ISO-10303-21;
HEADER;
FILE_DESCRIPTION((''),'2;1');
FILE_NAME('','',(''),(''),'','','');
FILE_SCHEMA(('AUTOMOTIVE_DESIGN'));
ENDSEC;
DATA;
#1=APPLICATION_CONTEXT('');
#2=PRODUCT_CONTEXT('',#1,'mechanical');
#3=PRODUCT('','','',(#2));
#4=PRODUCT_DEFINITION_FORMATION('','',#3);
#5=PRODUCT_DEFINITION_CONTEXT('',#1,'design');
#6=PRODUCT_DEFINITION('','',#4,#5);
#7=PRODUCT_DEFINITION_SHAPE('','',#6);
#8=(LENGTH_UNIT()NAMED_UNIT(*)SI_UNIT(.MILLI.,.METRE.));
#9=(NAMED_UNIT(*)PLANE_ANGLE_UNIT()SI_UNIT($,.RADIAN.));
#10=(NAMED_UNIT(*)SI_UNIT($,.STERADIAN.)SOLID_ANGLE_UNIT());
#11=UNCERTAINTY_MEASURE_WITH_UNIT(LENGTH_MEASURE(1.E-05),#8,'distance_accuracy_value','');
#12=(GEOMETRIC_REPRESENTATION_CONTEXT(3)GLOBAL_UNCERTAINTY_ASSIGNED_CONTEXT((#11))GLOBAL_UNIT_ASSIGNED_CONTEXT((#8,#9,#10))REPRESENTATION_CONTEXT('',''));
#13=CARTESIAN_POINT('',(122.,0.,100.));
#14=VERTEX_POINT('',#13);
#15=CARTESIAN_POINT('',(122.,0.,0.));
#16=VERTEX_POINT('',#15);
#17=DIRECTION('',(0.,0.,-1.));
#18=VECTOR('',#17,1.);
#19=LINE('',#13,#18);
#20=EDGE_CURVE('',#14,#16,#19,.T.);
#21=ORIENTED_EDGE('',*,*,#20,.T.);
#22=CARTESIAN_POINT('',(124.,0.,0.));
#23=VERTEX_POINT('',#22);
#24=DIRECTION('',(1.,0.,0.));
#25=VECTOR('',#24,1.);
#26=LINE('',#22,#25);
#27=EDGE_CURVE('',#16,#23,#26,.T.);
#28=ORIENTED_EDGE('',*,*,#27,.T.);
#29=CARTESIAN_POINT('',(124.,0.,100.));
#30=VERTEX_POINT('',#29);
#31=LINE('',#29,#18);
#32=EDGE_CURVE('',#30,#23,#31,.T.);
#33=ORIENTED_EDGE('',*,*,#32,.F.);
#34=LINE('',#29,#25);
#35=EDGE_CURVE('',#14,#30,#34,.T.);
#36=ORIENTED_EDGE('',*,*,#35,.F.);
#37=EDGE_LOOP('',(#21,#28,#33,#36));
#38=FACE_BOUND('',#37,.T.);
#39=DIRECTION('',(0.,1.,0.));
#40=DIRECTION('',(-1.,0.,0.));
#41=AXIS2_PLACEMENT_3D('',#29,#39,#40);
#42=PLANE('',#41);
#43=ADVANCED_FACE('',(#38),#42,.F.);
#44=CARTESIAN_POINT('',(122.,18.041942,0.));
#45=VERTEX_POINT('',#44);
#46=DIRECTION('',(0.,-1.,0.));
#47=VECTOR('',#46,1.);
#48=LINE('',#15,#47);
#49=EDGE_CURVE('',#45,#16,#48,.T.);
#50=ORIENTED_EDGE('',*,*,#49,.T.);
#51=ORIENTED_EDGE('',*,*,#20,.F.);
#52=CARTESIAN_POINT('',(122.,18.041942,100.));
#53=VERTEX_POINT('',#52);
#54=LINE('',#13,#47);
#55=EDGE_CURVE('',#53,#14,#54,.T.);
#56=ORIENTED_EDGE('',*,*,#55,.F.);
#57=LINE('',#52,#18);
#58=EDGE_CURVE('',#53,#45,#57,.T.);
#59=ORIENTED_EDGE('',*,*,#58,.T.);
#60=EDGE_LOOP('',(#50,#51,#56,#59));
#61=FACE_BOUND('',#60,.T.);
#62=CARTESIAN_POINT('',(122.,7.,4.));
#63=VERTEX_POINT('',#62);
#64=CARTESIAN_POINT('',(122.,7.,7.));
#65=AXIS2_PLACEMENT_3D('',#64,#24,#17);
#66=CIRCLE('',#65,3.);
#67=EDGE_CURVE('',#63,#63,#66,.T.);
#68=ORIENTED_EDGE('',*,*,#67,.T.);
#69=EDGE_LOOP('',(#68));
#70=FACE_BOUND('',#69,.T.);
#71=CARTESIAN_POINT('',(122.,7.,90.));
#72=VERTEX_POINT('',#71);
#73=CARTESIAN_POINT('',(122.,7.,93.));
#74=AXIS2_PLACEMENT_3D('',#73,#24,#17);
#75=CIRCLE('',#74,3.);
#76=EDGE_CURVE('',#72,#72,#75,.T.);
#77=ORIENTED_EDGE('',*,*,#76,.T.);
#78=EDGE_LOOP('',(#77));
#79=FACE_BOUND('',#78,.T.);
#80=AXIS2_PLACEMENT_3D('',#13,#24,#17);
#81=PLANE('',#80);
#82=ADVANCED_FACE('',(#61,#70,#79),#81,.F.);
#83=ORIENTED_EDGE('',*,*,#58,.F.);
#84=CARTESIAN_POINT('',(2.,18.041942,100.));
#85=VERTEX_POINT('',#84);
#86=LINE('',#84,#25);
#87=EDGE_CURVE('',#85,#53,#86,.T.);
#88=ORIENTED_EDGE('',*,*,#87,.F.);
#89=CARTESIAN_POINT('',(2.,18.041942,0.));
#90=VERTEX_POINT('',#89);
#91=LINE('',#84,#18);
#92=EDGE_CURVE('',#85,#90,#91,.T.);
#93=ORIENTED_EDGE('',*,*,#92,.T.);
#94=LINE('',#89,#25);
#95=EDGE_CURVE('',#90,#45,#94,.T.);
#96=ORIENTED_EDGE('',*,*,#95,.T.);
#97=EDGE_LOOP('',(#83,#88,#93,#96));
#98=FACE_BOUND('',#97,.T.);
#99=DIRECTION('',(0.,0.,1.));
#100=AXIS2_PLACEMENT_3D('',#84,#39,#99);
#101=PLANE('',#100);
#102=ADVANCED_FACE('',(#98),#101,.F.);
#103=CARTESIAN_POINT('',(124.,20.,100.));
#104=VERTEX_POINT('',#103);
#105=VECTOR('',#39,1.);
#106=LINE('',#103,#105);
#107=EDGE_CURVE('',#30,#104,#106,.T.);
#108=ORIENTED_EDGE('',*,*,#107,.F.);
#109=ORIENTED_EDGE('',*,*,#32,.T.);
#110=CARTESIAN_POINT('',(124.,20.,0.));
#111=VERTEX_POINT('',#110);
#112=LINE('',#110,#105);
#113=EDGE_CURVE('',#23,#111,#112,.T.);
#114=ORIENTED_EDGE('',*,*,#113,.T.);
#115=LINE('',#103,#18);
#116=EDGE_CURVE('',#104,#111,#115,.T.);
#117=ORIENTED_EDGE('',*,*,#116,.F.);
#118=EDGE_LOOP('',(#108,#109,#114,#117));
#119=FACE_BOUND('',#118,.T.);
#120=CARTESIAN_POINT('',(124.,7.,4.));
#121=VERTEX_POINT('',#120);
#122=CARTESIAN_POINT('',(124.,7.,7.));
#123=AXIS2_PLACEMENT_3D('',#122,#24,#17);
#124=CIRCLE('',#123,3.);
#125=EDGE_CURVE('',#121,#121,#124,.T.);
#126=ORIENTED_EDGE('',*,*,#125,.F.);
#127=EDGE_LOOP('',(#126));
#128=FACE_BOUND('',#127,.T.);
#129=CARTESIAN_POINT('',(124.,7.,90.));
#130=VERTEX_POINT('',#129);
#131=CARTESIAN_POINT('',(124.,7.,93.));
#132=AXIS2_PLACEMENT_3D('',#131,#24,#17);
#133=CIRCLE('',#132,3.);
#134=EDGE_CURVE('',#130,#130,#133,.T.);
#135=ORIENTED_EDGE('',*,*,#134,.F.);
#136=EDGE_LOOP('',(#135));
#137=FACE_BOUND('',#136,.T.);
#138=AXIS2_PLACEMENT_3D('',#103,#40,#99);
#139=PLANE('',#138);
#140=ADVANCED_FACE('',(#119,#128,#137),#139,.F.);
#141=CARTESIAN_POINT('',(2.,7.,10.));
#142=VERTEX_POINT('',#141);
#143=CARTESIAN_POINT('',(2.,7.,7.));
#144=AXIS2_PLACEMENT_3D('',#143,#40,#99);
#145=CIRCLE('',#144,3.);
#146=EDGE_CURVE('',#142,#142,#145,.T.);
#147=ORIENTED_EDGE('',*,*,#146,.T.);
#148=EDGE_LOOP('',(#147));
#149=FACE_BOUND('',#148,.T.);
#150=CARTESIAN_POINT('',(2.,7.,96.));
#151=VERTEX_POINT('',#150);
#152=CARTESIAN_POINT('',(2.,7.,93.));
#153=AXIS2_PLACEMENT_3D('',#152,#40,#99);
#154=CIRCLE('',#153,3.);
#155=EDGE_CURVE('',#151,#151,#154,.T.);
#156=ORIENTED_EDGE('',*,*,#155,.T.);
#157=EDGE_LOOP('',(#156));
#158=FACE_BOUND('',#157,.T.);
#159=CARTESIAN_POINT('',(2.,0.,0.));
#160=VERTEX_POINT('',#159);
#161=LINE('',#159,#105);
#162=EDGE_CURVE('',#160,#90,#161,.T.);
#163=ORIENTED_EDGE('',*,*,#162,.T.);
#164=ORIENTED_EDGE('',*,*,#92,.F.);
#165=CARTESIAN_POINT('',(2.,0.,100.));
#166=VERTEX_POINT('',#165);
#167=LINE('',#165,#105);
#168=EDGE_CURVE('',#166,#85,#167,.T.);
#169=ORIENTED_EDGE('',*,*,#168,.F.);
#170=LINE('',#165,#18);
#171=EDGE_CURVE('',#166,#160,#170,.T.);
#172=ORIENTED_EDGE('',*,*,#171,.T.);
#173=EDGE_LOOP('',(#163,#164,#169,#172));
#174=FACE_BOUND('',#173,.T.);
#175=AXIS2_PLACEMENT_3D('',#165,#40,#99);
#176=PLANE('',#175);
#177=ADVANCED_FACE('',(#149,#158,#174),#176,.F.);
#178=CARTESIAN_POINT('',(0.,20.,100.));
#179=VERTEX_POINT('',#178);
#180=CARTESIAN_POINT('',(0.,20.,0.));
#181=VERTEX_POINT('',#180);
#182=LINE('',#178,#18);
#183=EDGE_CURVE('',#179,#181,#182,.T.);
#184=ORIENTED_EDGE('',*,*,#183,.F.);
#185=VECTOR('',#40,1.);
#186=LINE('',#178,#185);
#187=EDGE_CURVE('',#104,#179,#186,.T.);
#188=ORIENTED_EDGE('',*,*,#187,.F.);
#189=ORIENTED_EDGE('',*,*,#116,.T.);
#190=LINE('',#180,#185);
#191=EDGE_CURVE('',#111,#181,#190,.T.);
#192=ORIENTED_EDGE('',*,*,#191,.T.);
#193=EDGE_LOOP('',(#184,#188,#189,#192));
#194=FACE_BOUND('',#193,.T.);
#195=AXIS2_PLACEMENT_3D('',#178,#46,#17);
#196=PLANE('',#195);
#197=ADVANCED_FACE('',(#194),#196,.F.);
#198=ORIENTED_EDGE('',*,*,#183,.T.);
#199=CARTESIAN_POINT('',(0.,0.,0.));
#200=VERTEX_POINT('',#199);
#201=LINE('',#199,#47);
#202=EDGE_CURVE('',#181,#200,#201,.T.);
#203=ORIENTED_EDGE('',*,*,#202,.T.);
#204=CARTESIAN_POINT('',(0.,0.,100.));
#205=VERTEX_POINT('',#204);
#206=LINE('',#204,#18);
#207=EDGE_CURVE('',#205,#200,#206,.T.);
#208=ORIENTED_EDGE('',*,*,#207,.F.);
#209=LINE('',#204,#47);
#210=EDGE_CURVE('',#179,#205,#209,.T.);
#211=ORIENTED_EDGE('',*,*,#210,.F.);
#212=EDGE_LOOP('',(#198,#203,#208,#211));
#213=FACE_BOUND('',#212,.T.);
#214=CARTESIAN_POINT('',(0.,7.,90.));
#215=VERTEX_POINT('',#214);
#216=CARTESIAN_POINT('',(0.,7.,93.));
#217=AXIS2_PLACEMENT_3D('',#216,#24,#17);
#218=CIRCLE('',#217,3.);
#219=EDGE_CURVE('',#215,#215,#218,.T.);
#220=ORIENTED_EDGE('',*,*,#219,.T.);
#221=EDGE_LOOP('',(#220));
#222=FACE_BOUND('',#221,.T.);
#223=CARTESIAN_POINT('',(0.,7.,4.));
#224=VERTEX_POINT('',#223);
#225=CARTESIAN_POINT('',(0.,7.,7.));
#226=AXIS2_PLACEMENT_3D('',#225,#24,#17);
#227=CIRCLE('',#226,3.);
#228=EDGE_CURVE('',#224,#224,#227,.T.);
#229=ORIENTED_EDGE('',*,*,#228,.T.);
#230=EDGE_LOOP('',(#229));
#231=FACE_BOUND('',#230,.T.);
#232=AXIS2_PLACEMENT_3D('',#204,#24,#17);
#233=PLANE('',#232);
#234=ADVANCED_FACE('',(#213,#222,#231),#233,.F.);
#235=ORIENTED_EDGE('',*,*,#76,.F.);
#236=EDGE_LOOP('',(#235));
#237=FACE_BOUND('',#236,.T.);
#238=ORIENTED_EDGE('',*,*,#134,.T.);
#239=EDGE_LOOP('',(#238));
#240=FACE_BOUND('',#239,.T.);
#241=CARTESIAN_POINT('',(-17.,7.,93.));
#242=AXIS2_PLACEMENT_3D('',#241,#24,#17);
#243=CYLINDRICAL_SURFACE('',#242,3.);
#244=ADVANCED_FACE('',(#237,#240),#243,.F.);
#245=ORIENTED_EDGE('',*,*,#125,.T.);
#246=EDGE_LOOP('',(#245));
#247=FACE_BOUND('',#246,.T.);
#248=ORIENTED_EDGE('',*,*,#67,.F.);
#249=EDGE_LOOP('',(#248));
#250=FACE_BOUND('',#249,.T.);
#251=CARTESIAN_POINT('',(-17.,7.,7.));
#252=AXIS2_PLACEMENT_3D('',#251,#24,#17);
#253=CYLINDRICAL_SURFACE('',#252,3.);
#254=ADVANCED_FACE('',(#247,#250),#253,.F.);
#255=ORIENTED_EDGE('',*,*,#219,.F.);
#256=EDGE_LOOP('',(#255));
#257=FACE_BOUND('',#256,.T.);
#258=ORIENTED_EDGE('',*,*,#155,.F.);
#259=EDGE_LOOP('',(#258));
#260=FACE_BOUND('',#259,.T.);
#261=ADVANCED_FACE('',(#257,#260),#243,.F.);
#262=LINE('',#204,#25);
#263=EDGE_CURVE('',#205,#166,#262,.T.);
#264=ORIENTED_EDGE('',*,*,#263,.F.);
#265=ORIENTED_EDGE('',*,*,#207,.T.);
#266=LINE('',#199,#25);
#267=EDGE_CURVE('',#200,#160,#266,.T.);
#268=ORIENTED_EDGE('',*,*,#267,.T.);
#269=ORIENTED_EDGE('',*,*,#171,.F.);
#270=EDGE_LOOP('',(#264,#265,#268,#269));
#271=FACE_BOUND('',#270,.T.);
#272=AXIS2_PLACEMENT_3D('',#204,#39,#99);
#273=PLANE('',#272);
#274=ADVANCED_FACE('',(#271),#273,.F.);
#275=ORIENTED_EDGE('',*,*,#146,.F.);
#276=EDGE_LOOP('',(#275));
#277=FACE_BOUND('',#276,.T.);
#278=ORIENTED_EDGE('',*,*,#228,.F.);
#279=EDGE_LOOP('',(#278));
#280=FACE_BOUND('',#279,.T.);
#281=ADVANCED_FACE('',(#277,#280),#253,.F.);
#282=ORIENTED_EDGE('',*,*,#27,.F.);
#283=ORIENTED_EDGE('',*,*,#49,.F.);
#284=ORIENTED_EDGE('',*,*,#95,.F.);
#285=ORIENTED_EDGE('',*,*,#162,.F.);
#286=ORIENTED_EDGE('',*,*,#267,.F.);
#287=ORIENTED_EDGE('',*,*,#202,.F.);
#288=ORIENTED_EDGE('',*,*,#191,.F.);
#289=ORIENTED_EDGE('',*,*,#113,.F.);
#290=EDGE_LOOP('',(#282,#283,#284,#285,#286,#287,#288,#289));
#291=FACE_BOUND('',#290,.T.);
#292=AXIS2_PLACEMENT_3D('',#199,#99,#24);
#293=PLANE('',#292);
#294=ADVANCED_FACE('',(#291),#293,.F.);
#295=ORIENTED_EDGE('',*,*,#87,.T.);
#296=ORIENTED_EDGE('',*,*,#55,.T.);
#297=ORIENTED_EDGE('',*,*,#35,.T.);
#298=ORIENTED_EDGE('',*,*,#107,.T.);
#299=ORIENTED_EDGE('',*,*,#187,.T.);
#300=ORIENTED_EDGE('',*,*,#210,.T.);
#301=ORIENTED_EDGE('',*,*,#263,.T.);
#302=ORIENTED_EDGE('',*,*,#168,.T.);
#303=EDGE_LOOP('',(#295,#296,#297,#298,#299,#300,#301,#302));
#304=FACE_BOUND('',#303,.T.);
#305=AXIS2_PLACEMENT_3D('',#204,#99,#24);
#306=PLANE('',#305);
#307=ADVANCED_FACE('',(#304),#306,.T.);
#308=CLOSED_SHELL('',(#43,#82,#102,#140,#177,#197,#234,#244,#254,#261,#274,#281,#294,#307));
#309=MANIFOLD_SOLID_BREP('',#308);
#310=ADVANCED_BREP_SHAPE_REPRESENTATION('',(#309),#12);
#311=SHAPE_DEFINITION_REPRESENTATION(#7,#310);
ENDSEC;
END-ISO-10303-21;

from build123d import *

# Parameters (mm, degrees)
BOSS_EXTRUDE1_DEPTH = 100
SKETCH2_R           = 3
CUT_EXTRUDE1_DEPTH  = 141
SKETCH3_R           = 3
CUT_EXTRUDE2_DEPTH  = 141


with BuildPart() as part:
    # Sketch1 → Boss-Extrude1 (new body)
    with BuildSketch(Plane.XY):
        Polygon((0, 0), (0, 20), (124, 20), (124, 0), (122, 0), (122, 18.041941508), (2, 18.041941508), (2, 0), align=None)
    extrude(amount=BOSS_EXTRUDE1_DEPTH)

    # Sketch2 → Cut-Extrude1 (cut)
    with BuildSketch(Plane(origin=(124, 0, 0), x_dir=(0, 0, -1), z_dir=(1, 0, 0))):
        with Locations((-93, 7)):
            Circle(SKETCH2_R)
    extrude(amount=-CUT_EXTRUDE1_DEPTH, mode=Mode.SUBTRACT)

    # Sketch3 → Cut-Extrude2 (cut)
    with BuildSketch(Plane(origin=(124, 0, 0), x_dir=(0, 0, -1), z_dir=(1, 0, 0))):
        with Locations((-7, 7)):
            Circle(SKETCH3_R)
    extrude(amount=-CUT_EXTRUDE2_DEPTH, mode=Mode.SUBTRACT)


solid = part.part
